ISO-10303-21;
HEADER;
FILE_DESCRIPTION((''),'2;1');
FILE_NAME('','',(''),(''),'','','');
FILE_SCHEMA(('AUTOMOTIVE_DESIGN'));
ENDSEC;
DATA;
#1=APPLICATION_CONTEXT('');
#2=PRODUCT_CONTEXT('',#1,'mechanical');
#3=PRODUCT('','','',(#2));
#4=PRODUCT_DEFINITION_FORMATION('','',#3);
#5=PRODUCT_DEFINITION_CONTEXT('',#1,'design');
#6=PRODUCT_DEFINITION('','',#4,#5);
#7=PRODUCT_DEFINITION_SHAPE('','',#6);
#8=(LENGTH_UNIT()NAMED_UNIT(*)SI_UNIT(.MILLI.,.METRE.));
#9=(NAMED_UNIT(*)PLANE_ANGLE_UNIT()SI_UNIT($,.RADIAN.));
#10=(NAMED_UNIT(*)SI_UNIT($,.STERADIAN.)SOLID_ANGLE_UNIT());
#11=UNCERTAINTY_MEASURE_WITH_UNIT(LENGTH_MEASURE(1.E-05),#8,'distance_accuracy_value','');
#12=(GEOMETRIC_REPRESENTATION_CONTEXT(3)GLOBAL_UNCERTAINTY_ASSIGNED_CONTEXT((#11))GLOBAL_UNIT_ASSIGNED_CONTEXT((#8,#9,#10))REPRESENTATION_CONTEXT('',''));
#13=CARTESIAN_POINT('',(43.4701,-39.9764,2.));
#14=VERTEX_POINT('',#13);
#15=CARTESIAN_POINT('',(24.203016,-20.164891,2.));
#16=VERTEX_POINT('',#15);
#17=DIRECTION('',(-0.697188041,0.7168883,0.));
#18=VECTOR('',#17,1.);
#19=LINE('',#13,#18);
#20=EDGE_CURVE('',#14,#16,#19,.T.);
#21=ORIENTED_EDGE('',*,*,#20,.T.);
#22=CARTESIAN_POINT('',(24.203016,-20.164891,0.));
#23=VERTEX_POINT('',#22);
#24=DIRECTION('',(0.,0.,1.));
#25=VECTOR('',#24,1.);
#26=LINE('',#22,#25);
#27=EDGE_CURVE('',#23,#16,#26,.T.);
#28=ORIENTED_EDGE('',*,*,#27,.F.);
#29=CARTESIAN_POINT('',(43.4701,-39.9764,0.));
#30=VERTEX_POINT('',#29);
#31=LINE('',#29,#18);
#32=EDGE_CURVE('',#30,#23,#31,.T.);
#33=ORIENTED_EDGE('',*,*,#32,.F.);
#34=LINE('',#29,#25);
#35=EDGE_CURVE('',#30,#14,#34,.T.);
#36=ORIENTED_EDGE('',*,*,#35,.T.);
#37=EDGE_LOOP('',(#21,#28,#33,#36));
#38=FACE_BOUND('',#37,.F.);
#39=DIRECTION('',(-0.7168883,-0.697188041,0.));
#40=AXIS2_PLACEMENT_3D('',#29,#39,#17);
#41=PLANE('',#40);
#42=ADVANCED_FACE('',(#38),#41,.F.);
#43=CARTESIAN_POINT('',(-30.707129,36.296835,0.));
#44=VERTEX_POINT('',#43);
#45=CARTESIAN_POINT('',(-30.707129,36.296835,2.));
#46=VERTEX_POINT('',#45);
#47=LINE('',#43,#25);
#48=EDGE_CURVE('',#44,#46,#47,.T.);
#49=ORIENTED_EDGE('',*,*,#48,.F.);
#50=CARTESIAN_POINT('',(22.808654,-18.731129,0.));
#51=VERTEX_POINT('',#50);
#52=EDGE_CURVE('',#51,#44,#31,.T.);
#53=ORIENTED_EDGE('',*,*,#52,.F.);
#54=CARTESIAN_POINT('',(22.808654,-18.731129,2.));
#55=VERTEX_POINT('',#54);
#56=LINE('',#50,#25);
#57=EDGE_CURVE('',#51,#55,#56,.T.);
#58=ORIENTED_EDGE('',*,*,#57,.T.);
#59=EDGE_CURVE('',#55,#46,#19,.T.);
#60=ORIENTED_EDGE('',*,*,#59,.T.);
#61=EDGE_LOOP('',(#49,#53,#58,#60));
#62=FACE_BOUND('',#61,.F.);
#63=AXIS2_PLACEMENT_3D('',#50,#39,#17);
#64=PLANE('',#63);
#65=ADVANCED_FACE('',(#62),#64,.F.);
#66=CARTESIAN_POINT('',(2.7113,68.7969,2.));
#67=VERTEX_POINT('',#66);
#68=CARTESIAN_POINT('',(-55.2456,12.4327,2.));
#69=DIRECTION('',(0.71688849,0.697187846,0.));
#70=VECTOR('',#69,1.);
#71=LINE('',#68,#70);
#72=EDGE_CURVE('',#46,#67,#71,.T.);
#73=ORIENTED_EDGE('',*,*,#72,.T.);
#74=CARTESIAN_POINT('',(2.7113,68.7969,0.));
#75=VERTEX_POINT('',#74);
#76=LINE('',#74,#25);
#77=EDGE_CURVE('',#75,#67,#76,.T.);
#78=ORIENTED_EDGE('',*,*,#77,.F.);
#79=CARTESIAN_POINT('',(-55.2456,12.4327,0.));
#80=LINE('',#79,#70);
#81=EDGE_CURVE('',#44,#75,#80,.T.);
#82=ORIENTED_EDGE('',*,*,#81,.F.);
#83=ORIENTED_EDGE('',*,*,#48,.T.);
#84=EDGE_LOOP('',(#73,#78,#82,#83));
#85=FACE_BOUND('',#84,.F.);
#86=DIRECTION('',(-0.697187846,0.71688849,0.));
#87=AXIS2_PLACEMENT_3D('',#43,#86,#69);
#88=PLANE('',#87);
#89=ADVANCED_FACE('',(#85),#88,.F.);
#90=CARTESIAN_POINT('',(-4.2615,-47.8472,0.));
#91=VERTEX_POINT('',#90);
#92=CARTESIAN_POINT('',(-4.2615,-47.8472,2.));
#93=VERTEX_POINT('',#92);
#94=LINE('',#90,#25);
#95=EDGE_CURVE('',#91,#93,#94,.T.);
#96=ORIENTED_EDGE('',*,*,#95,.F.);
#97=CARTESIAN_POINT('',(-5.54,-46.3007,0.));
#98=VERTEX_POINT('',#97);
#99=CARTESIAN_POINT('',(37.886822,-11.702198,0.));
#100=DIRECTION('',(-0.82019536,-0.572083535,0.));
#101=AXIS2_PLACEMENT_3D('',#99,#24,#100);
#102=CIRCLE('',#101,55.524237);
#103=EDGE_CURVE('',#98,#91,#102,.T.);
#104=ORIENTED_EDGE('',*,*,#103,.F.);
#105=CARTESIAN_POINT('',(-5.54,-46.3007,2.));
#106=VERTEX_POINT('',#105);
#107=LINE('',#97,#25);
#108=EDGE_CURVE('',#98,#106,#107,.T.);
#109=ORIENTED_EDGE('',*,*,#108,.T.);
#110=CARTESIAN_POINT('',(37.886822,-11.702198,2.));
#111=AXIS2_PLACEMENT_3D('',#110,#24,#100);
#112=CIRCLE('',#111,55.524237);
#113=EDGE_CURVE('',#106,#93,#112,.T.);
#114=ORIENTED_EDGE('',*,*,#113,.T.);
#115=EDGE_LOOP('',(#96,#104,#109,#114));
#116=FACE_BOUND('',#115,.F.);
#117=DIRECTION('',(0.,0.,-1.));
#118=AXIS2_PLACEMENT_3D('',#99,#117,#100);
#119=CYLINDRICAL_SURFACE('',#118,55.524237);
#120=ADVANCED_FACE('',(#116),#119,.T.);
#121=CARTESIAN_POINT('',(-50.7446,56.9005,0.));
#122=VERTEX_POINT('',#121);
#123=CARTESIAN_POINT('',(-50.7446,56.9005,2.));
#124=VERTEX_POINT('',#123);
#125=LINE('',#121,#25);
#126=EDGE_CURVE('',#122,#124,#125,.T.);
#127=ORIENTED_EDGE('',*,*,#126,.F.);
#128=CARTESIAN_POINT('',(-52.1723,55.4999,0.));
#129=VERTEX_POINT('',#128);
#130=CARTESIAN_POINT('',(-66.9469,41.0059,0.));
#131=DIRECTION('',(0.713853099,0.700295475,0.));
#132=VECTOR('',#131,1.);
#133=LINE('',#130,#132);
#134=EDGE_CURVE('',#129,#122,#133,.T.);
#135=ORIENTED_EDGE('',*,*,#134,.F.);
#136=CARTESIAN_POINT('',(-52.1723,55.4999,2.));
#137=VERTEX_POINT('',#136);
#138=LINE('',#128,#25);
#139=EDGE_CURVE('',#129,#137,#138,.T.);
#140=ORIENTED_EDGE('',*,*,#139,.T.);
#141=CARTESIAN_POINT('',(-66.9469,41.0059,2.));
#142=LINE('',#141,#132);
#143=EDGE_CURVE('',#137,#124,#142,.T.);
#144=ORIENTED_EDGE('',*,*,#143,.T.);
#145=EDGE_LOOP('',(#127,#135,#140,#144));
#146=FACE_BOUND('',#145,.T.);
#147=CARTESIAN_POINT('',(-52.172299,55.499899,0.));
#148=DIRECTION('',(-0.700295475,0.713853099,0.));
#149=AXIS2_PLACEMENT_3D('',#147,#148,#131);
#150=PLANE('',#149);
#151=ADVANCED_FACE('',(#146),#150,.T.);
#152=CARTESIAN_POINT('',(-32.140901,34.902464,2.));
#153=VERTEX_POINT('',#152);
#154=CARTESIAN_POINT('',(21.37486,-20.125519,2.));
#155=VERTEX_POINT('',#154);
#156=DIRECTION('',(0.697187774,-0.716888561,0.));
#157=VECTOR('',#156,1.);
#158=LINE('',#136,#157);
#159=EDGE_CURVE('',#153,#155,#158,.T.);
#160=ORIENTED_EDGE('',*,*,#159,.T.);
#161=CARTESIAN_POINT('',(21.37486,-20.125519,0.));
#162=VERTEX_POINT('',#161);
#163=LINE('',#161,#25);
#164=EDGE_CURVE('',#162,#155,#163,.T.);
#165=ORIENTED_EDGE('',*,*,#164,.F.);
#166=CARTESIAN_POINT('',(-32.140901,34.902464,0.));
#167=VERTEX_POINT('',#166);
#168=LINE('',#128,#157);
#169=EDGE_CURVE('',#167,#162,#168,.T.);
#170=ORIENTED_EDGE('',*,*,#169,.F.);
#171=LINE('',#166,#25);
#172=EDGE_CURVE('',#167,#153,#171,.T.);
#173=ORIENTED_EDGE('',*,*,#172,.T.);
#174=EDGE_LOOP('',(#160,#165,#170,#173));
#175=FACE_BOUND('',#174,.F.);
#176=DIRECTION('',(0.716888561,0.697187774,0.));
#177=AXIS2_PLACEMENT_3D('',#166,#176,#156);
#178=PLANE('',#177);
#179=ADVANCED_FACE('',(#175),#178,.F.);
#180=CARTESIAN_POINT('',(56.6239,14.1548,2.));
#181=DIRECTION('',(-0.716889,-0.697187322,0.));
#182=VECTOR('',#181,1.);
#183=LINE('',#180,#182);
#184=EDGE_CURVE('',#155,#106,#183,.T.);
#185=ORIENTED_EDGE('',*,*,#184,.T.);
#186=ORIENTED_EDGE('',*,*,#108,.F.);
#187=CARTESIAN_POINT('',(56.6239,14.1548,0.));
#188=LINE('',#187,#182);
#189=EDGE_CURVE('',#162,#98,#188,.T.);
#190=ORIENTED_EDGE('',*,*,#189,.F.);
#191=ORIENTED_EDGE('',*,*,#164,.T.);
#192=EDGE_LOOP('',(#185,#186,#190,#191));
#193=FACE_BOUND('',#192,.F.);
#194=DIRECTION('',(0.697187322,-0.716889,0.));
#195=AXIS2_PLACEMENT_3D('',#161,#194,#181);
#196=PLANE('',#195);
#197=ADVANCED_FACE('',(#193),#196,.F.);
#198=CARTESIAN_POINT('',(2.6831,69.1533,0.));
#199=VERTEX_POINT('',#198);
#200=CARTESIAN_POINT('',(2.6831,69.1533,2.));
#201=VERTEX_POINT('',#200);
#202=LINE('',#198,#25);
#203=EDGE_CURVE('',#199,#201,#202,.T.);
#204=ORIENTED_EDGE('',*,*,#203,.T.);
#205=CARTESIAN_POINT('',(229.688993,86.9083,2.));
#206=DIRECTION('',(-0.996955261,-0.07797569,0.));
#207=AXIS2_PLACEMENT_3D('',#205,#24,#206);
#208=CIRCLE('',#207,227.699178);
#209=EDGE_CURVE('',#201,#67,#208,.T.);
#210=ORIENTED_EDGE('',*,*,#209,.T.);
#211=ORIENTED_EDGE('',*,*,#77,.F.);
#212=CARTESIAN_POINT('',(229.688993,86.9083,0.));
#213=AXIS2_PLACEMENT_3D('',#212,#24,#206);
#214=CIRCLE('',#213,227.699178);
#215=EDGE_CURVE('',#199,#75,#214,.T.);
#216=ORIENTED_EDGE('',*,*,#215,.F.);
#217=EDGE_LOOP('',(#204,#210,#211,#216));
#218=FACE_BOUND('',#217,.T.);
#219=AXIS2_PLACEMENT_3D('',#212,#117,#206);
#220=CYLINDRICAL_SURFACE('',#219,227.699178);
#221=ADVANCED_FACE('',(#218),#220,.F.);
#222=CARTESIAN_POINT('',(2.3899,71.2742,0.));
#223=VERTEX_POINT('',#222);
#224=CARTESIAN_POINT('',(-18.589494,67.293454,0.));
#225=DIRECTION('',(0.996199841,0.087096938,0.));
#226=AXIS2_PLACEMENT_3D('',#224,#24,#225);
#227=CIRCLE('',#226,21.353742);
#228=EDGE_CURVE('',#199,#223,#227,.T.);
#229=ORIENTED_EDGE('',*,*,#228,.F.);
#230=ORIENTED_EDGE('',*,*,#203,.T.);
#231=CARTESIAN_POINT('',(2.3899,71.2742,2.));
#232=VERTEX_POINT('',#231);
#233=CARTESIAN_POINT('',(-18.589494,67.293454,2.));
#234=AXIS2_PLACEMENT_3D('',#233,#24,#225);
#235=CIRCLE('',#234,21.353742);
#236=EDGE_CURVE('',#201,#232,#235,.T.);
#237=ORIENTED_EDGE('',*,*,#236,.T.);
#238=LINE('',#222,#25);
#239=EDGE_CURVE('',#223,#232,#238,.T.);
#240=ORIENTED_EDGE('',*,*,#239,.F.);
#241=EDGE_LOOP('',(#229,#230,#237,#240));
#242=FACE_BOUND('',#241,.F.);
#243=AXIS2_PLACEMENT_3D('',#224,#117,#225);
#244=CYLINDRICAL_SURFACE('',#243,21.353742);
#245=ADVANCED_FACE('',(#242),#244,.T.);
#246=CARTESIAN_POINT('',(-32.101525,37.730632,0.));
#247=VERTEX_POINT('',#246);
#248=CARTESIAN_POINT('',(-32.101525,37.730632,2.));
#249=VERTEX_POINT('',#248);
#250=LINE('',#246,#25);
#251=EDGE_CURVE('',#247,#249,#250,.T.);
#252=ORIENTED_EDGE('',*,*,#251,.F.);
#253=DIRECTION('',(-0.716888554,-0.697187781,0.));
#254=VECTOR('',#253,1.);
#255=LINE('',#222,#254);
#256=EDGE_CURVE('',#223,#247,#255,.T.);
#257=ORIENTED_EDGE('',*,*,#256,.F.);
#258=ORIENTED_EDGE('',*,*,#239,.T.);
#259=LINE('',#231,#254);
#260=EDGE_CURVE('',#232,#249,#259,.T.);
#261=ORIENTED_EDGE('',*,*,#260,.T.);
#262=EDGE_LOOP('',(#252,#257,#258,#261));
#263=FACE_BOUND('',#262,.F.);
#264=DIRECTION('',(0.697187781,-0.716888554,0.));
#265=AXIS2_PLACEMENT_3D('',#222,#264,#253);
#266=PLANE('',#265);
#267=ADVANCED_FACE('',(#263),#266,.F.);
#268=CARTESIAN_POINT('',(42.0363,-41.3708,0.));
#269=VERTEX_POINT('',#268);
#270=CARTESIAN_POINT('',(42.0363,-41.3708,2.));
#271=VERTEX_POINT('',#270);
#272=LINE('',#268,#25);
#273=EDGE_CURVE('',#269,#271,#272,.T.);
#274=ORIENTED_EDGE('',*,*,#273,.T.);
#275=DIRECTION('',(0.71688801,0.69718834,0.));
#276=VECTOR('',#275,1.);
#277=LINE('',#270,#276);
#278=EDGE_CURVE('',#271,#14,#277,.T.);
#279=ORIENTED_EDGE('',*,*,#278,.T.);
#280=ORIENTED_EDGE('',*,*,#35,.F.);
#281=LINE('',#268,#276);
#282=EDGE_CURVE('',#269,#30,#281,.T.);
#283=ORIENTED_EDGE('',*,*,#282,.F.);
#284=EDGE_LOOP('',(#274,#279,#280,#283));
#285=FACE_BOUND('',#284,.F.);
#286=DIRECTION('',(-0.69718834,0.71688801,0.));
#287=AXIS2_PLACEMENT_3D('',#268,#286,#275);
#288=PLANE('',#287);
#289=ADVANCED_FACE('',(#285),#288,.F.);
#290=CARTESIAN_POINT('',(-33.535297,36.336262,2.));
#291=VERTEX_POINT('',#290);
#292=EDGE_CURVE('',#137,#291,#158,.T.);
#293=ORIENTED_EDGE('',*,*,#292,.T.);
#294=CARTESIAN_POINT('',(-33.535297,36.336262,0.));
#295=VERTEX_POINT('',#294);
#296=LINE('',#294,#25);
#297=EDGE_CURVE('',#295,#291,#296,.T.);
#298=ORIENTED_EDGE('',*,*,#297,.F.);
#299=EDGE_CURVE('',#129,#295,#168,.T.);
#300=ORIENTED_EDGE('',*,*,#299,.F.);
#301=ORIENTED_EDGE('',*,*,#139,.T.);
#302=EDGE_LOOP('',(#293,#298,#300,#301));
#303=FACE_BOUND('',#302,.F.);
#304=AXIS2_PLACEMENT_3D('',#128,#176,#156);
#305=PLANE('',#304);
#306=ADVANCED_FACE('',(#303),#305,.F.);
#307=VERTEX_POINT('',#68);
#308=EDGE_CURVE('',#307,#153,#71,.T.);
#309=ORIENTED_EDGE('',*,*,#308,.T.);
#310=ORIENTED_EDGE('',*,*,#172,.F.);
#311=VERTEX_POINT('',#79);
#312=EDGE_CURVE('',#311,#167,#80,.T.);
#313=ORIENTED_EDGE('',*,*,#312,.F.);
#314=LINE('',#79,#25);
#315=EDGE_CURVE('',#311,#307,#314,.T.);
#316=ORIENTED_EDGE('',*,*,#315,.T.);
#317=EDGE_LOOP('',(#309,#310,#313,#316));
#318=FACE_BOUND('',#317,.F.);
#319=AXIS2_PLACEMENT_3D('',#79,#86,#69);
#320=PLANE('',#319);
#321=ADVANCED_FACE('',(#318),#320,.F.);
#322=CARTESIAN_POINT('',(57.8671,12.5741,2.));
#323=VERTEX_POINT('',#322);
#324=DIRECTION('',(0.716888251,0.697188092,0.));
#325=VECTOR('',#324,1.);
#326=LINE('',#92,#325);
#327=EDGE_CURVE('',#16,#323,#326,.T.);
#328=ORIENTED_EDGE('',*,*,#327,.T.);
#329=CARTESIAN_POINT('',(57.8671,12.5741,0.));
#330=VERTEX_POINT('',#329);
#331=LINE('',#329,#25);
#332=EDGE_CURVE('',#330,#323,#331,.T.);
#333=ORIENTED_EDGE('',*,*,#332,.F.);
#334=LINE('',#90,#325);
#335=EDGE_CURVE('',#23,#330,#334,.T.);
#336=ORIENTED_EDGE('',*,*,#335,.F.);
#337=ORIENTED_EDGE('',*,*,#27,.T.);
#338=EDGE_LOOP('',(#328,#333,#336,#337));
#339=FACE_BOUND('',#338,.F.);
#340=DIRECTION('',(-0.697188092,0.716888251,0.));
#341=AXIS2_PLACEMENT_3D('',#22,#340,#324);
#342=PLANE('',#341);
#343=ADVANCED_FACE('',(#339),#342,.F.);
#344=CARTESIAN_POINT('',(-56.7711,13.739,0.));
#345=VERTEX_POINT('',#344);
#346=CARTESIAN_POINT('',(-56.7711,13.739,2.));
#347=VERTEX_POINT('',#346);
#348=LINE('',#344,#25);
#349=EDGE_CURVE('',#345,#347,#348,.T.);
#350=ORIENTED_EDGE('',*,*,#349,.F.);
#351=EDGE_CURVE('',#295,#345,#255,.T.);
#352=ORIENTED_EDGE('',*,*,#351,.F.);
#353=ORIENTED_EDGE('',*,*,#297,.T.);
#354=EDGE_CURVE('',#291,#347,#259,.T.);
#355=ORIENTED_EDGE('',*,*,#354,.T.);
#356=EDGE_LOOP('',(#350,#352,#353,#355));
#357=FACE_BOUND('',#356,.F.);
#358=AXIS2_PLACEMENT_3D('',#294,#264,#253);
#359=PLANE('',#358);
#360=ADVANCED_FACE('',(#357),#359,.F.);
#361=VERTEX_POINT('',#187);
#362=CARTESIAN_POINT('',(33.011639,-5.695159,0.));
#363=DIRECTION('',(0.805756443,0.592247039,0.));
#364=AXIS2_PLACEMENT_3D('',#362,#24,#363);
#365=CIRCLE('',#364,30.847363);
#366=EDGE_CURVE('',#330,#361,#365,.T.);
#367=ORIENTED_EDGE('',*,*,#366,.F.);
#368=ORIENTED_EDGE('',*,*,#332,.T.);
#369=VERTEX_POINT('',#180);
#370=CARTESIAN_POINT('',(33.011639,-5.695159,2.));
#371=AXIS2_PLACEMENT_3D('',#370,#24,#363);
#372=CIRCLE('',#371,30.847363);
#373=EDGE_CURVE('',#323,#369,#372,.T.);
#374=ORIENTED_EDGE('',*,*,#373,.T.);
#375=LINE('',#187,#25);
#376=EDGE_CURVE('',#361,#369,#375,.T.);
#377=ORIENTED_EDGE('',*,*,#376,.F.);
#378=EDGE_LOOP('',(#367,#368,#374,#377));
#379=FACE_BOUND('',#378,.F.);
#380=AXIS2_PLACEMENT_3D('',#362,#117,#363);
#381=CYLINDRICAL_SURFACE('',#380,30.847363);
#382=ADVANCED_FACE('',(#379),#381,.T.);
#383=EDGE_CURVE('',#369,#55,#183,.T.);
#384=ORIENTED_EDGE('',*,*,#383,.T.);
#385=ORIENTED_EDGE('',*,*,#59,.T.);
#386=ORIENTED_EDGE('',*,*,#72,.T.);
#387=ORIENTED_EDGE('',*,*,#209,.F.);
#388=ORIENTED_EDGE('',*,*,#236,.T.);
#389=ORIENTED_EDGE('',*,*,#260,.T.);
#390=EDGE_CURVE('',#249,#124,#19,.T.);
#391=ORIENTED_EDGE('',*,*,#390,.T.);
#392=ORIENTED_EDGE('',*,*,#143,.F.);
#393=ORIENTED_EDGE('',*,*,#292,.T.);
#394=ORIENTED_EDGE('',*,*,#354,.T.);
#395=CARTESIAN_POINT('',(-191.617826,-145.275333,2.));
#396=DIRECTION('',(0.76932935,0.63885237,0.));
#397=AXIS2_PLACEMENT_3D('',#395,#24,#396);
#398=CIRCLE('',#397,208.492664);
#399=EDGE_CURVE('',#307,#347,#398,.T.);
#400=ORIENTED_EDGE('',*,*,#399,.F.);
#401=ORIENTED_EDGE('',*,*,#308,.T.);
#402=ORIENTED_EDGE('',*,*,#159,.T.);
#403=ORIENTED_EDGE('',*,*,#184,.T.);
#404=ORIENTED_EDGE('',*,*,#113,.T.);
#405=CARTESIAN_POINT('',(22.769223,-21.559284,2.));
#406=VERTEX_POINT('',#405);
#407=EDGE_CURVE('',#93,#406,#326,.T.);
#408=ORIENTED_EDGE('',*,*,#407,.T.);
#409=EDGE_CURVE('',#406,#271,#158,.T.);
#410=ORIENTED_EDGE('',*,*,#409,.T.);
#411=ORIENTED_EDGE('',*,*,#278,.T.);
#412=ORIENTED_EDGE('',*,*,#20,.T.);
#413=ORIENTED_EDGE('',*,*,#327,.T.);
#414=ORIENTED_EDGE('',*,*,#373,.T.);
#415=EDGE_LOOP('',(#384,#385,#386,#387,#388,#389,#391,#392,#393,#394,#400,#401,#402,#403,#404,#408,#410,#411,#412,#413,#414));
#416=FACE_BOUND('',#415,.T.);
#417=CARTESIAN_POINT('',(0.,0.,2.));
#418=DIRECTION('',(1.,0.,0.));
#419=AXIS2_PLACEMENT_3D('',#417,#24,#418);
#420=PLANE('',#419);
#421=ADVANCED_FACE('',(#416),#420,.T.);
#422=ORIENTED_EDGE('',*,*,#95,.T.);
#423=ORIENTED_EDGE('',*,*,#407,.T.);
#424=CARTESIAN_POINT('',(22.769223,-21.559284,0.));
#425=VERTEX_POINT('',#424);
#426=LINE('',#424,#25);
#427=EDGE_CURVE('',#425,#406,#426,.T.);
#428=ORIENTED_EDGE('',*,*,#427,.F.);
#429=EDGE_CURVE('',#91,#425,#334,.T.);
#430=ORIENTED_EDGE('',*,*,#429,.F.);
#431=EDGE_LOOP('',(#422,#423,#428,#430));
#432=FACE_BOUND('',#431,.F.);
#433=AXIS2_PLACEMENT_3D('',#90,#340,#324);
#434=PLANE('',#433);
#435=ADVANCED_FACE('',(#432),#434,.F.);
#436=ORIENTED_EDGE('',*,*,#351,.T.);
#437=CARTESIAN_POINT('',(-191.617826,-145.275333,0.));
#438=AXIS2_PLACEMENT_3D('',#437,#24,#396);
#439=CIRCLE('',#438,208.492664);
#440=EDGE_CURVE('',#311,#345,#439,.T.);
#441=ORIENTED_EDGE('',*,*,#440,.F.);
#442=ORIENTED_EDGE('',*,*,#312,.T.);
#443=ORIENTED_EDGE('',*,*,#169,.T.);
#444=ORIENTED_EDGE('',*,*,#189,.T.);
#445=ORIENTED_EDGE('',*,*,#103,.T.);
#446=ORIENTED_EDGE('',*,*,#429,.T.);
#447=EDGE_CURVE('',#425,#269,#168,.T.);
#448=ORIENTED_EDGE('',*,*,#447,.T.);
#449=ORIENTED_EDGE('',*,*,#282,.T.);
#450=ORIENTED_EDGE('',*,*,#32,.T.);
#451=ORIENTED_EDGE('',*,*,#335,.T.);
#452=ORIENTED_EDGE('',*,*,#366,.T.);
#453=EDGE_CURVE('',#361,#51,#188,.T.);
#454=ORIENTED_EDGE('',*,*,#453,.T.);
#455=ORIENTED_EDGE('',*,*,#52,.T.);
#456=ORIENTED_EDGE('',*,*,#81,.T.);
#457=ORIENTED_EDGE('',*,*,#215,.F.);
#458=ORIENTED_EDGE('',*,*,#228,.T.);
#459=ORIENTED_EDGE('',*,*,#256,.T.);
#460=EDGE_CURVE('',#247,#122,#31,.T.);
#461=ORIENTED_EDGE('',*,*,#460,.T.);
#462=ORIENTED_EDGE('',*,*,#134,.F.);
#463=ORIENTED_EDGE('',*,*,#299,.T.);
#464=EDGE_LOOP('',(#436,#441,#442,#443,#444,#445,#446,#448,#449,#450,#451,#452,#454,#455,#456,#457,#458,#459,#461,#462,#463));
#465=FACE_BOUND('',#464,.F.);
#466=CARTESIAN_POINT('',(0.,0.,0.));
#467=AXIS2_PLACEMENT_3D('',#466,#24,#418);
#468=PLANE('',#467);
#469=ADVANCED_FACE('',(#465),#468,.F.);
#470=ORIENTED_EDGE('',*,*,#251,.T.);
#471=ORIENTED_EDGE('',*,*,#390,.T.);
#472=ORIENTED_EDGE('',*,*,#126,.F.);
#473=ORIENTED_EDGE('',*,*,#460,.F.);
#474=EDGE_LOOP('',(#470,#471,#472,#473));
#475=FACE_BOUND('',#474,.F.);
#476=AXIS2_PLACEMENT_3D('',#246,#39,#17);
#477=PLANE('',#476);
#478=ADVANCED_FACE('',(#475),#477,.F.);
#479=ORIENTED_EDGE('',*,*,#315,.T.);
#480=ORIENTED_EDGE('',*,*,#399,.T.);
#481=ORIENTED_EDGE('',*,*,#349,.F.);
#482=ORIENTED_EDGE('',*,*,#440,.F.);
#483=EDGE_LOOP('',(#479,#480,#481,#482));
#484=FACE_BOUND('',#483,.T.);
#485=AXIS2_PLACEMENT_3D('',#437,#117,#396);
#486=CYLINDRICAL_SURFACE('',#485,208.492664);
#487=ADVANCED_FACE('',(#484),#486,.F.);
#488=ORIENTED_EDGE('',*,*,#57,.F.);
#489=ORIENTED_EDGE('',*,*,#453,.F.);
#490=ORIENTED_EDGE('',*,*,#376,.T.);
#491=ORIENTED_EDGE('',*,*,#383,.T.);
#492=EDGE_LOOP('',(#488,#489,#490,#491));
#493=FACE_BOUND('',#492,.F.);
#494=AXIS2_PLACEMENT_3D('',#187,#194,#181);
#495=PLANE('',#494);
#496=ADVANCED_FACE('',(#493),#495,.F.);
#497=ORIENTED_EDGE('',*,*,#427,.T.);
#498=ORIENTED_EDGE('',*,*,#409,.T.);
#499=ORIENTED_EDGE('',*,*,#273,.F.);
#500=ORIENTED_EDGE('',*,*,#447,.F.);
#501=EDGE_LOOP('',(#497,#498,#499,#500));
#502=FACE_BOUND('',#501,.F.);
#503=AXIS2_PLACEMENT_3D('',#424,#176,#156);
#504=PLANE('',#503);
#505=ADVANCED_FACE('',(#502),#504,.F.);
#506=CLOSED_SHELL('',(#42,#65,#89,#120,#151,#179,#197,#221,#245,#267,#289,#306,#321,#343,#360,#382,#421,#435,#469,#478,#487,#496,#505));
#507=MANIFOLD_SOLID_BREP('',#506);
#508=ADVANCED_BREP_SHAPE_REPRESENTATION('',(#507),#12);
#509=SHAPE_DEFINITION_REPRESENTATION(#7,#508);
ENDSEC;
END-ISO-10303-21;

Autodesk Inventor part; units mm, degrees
ref_plane "YZ Plane" through (0, 0, 0) normal (1, 0, 0) x (0, 1, 0)
ref_plane "XZ Plane" through (0, 0, 0) normal (0, 1, 0) x (-1, 0, 0)
ref_plane "XY Plane" through (0, 0, 0) normal (0, 0, 1) x (1, 0, 0)
sketch "Sketch1" plane through (0, 0, 0) normal (0, 0, 1) x (1, 0, 0)
  arc A0 (5.5811, -56.8606) -> (20.209, -64.6836) centre (38.8796, -12.1848) ccw
  arc A1 (-7.6539, -43.4667) -> (5.5811, -56.8606) centre (37.8873, -11.7018) ccw
  arc A2 (-7.6539, -43.4667) -> (-31.2183, -12.0793) centre (-386.265, -303.1724) ccw
  arc A3 (-31.2183, -12.0793) -> (-63.3277, 19.0744) centre (-191.6112, -145.2692) ccw
  arc A4 (-67.5206, 26.3221) -> (-63.3277, 19.0744) centre (-54.6162, 28.9507) ccw
  arc A5 (-66.9469, 41.0059) -> (-67.5206, 26.3221) centre (-15.6776, 31.6496) ccw
  line L0 (-66.9469, 41.0059) -> (-26.0985, 81.0785)
  arc A6 (-3.6955, 79.7027) -> (-26.0985, 81.0785) centre (-17.6076, 36.2535) ccw
  arc A7 (1.4491, 74.6716) -> (-3.6955, 79.7027) centre (-6.1453, 72.0517) ccw
  arc A8 (2.6831, 69.1533) -> (1.4491, 74.6716) centre (-18.5892, 67.2935) ccw
  arc A9 (2.6831, 69.1533) -> (3.1898, 63.5624) centre (229.5421, 86.8959) ccw
  arc A10 (3.1898, 63.5624) -> (8.7161, 49.818) centre (30.4167, 66.5265) ccw
  arc A11 (8.7161, 49.818) -> (19.0471, 39.3259) centre (47.1297, 77.3097) ccw
  arc A12 (19.0471, 39.3259) -> (32.6891, 29.8296) centre (104.4845, 147.5139) ccw
  arc A13 (32.6891, 29.8296) -> (50.5655, 19.6706) centre (502.3948, 835.5524) ccw
  arc A14 (57.8671, 12.5741) -> (50.5655, 19.6706) centre (33.0101, -5.6965) ccw
  arc A15 (67.0572, -4.125) -> (57.8671, 12.5741) centre (18.4686, -19.9867) ccw
  arc A16 (68.9532, -23.0115) -> (67.0572, -4.125) centre (24.8632, -17.8992) ccw
  line L1 (-52.1723, 55.4999) -> (42.0363, -41.3708)
  line L2 (43.4701, -39.9764) -> (-50.7446, 56.9005)
  line L3 (42.0363, -41.3708) -> (43.4701, -39.9764)
  line L4 (-4.2615, -47.8472) -> (57.8671, 12.5741)
  line L5 (56.6239, 14.1548) -> (-5.54, -46.3007)
  line L6 (-55.2456, 12.4327) -> (2.7113, 68.7969)
  line L7 (2.3899, 71.2742) -> (-56.7711, 13.739)
  point P0 (0, 0)
  point P1 (-8.2693, 4.2237)
  point P2 (-4.9861, 4.7501)
  point P3 (-66.0155, 22.3561)
  point P4 (24.203, -20.1649)
  point P5 (22.8086, -18.7311)
  point P6 (-30.7071, 36.2969)
  point P7 (-32.1015, 37.7306)
  point P8 (-33.5353, 36.3363)
  point P9 (-32.1409, 34.9025)
  point P10 (21.3749, -20.1255)
  point P11 (22.7692, -21.5593)
  dimension "d243" = 2
  dimension "d244" = 2
  dimension "d245" = 2
extrude "Extrusion11" add sketch "Sketch1" along normal blind 2 contours L5 L1 L4 A1 | L5 L2 L4 L1 | L1 L6 L2 L5 | A3 L7 L1 L6 | L4 L2 L3 L1 | L1 L7 L2 L6 | L5 A14 L4 L2 | L1 L0 L2 L7 | L2 L7 A8 A9 L6
properties part number "print007_Grundform_Guss_innen"
